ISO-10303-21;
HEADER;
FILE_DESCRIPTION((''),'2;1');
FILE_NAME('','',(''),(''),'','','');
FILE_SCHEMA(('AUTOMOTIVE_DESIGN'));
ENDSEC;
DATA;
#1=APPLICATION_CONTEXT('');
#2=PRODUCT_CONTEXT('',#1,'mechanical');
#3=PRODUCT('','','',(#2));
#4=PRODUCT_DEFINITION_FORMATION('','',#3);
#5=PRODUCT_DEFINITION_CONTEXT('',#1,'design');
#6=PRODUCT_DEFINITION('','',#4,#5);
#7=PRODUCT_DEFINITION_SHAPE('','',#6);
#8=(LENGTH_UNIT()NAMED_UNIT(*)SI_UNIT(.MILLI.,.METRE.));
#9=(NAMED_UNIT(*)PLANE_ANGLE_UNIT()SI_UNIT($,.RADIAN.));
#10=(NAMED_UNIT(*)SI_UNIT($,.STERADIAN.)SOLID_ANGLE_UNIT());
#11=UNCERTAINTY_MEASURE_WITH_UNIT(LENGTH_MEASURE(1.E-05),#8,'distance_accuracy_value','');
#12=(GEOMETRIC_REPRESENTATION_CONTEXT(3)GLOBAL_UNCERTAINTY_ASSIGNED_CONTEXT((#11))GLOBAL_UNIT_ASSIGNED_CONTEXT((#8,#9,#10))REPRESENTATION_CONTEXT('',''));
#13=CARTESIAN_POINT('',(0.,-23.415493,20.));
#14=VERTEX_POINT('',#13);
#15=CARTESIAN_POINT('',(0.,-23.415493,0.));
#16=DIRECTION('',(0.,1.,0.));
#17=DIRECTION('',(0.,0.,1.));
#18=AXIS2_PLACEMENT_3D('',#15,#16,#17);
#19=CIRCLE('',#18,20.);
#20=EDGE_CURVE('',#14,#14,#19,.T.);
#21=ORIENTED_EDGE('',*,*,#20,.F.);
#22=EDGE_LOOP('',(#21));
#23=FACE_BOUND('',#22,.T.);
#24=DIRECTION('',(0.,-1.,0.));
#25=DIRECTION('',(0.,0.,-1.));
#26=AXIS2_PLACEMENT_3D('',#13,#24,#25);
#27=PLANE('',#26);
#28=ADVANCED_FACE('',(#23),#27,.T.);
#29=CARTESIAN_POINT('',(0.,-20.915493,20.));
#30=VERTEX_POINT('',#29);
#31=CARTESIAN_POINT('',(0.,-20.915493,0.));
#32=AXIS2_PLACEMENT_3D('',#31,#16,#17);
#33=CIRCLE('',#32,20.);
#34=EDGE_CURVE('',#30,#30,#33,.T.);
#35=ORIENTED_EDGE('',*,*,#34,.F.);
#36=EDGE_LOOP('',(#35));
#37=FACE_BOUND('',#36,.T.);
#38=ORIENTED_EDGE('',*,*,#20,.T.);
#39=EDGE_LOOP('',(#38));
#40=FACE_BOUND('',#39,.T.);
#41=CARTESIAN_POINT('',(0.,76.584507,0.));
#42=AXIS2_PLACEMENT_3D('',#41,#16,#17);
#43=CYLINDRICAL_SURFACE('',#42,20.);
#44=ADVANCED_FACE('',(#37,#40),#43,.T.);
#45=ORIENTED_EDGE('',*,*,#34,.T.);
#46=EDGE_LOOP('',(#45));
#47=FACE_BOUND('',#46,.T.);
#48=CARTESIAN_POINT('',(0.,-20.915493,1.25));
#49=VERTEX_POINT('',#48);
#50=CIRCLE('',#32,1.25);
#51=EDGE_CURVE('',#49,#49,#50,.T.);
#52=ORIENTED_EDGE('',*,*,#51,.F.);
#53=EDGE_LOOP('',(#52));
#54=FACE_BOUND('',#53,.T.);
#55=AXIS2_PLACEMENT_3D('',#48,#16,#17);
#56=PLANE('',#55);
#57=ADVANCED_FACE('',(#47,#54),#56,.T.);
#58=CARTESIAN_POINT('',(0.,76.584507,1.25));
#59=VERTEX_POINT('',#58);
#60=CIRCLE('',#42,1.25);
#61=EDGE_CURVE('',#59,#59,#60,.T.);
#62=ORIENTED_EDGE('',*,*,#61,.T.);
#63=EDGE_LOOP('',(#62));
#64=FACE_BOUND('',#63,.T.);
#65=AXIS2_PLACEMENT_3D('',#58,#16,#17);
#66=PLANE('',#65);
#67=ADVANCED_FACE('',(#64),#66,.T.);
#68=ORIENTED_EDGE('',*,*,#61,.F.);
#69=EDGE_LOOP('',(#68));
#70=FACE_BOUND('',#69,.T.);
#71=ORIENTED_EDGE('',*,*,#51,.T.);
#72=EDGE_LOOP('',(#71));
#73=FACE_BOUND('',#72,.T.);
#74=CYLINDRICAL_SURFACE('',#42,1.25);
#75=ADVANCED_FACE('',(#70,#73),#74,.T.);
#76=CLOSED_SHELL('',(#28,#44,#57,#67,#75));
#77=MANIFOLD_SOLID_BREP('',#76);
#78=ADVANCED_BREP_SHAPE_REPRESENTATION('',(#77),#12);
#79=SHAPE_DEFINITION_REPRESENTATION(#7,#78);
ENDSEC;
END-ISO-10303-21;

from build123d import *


with BuildPart() as part:
    # Sketch1 → Revolve1 (revolve)
    with BuildSketch(Plane(origin=(0, 0, 0), x_dir=(0, 0, -1), z_dir=(1, 0, 0))):
        Polygon((-1.25, 76.584507042), (-1.25, -20.915492958), (-20, -20.915492958), (-20, -23.415492958), (0, -23.415492958), (0, 76.584507042), align=None)
    revolve(axis=Axis((0, 76.584507042, 0), (0, -1, 0)))


solid = part.part
